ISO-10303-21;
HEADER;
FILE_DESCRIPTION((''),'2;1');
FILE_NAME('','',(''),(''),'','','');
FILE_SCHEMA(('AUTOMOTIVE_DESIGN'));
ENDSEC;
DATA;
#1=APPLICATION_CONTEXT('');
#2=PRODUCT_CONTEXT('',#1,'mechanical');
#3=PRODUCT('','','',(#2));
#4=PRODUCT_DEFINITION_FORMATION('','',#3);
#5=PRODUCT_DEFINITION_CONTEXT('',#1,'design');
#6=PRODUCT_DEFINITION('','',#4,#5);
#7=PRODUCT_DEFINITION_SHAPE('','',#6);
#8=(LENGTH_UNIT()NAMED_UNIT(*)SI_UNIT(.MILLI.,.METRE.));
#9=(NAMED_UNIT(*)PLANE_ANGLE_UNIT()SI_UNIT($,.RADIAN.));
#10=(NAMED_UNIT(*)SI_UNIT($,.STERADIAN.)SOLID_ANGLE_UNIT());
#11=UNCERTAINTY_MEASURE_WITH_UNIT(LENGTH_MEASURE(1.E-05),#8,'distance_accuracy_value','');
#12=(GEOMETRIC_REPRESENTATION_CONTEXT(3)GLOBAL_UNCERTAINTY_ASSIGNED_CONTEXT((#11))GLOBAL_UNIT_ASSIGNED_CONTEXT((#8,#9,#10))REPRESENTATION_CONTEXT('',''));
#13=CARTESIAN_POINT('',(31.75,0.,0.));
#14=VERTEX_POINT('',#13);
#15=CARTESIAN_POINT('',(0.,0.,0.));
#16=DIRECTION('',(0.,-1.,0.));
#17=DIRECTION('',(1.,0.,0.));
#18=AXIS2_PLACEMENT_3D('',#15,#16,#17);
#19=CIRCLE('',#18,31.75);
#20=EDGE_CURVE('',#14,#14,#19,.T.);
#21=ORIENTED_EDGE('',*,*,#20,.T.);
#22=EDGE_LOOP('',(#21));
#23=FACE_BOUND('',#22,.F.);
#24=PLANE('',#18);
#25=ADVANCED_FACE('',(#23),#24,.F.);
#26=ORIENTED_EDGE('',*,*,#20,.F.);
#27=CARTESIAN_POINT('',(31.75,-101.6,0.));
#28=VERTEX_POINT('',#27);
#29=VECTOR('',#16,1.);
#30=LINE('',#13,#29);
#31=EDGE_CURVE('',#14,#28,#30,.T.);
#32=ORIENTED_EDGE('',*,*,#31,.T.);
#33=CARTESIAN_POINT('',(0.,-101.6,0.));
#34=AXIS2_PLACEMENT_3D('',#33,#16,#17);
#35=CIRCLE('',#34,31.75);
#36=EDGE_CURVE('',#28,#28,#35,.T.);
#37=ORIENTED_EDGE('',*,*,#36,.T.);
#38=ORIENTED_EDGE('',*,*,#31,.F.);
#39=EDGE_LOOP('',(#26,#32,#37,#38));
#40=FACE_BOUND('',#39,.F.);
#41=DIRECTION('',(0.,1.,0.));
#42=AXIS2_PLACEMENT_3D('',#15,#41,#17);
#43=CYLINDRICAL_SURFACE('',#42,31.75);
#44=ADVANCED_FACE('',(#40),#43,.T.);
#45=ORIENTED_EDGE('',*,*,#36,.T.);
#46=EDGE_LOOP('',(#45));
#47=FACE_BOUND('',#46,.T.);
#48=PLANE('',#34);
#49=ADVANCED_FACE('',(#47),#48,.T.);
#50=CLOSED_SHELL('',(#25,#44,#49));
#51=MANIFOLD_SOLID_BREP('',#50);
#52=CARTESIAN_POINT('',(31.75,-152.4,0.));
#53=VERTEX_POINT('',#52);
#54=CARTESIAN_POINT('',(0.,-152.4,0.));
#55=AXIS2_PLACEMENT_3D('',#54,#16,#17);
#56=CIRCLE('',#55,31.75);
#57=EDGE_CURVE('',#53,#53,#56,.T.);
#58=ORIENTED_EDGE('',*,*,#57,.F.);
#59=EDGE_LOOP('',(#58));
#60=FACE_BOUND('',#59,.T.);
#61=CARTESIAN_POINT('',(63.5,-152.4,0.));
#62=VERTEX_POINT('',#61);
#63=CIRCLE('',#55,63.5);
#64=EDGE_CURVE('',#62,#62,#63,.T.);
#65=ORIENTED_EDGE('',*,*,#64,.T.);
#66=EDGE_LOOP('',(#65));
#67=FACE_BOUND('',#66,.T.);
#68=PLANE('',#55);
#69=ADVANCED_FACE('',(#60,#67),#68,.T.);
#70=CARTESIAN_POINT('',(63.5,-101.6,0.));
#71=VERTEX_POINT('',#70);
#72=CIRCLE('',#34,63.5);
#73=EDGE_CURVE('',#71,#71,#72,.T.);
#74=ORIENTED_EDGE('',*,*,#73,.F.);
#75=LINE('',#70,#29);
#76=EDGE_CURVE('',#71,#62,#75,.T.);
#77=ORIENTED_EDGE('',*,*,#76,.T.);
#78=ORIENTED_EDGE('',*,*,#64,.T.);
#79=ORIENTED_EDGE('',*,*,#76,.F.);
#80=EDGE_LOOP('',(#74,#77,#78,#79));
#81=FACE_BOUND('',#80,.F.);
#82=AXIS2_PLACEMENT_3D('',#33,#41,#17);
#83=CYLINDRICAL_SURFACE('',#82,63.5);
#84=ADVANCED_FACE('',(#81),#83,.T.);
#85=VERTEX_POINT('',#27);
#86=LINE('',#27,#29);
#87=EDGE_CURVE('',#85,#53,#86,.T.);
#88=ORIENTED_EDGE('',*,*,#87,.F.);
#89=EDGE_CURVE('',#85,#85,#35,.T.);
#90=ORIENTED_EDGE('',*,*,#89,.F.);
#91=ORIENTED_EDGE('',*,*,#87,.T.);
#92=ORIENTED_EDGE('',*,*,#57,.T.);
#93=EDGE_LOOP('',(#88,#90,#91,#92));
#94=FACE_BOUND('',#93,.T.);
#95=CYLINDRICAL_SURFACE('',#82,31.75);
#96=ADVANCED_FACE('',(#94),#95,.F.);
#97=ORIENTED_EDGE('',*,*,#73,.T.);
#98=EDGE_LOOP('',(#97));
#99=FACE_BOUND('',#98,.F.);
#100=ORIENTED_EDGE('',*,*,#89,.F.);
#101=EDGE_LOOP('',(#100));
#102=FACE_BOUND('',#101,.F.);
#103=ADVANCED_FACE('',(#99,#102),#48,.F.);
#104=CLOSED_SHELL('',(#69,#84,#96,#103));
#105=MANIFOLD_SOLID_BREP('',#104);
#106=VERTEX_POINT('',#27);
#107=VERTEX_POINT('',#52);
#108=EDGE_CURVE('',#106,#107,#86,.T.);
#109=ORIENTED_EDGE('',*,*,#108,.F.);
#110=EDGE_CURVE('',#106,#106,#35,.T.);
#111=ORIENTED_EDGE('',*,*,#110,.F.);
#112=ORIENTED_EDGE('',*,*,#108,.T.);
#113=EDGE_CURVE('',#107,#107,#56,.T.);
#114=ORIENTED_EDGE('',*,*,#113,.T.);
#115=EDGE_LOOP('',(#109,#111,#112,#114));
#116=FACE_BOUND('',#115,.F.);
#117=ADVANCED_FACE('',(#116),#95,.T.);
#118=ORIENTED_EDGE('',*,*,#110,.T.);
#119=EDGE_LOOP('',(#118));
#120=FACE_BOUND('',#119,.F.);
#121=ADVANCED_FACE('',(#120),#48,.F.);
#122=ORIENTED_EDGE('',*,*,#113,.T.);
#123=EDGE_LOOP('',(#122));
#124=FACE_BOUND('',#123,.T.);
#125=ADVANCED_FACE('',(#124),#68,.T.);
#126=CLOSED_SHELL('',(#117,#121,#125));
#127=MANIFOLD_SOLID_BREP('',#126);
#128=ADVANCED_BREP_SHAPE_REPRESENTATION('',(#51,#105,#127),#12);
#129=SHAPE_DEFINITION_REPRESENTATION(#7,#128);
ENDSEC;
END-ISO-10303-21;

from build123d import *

# Parameters (mm, degrees)
F0_R      = 31.75
F1_DEPTH  = 101.6
F2_R      = 63.5
F2_R_2    = 31.75
F3_DEPTH  = 50.8
F1_FACE_R = 31.75
F4_DEPTH  = 50.8


with BuildPart() as f1:
    # F0 (on Front) → F1 (new body)
    with BuildSketch(Plane.XZ):
        Circle(F0_R)
    extrude(amount=F1_DEPTH)


with BuildPart() as f3:
    # F2 (on face) → F3 (new body)
    with BuildSketch(Plane.XZ.offset(101.6)):
        Circle(F2_R)
        Circle(F2_R_2, mode=Mode.SUBTRACT)
    extrude(amount=F3_DEPTH)


with BuildPart() as f4:
    # F1_face (on face) → F4 (new body)
    with BuildSketch(Plane.XZ.offset(101.6)):
        Circle(F1_FACE_R)
    extrude(amount=F4_DEPTH)


solid = Compound([f1.part, f3.part, f4.part])
